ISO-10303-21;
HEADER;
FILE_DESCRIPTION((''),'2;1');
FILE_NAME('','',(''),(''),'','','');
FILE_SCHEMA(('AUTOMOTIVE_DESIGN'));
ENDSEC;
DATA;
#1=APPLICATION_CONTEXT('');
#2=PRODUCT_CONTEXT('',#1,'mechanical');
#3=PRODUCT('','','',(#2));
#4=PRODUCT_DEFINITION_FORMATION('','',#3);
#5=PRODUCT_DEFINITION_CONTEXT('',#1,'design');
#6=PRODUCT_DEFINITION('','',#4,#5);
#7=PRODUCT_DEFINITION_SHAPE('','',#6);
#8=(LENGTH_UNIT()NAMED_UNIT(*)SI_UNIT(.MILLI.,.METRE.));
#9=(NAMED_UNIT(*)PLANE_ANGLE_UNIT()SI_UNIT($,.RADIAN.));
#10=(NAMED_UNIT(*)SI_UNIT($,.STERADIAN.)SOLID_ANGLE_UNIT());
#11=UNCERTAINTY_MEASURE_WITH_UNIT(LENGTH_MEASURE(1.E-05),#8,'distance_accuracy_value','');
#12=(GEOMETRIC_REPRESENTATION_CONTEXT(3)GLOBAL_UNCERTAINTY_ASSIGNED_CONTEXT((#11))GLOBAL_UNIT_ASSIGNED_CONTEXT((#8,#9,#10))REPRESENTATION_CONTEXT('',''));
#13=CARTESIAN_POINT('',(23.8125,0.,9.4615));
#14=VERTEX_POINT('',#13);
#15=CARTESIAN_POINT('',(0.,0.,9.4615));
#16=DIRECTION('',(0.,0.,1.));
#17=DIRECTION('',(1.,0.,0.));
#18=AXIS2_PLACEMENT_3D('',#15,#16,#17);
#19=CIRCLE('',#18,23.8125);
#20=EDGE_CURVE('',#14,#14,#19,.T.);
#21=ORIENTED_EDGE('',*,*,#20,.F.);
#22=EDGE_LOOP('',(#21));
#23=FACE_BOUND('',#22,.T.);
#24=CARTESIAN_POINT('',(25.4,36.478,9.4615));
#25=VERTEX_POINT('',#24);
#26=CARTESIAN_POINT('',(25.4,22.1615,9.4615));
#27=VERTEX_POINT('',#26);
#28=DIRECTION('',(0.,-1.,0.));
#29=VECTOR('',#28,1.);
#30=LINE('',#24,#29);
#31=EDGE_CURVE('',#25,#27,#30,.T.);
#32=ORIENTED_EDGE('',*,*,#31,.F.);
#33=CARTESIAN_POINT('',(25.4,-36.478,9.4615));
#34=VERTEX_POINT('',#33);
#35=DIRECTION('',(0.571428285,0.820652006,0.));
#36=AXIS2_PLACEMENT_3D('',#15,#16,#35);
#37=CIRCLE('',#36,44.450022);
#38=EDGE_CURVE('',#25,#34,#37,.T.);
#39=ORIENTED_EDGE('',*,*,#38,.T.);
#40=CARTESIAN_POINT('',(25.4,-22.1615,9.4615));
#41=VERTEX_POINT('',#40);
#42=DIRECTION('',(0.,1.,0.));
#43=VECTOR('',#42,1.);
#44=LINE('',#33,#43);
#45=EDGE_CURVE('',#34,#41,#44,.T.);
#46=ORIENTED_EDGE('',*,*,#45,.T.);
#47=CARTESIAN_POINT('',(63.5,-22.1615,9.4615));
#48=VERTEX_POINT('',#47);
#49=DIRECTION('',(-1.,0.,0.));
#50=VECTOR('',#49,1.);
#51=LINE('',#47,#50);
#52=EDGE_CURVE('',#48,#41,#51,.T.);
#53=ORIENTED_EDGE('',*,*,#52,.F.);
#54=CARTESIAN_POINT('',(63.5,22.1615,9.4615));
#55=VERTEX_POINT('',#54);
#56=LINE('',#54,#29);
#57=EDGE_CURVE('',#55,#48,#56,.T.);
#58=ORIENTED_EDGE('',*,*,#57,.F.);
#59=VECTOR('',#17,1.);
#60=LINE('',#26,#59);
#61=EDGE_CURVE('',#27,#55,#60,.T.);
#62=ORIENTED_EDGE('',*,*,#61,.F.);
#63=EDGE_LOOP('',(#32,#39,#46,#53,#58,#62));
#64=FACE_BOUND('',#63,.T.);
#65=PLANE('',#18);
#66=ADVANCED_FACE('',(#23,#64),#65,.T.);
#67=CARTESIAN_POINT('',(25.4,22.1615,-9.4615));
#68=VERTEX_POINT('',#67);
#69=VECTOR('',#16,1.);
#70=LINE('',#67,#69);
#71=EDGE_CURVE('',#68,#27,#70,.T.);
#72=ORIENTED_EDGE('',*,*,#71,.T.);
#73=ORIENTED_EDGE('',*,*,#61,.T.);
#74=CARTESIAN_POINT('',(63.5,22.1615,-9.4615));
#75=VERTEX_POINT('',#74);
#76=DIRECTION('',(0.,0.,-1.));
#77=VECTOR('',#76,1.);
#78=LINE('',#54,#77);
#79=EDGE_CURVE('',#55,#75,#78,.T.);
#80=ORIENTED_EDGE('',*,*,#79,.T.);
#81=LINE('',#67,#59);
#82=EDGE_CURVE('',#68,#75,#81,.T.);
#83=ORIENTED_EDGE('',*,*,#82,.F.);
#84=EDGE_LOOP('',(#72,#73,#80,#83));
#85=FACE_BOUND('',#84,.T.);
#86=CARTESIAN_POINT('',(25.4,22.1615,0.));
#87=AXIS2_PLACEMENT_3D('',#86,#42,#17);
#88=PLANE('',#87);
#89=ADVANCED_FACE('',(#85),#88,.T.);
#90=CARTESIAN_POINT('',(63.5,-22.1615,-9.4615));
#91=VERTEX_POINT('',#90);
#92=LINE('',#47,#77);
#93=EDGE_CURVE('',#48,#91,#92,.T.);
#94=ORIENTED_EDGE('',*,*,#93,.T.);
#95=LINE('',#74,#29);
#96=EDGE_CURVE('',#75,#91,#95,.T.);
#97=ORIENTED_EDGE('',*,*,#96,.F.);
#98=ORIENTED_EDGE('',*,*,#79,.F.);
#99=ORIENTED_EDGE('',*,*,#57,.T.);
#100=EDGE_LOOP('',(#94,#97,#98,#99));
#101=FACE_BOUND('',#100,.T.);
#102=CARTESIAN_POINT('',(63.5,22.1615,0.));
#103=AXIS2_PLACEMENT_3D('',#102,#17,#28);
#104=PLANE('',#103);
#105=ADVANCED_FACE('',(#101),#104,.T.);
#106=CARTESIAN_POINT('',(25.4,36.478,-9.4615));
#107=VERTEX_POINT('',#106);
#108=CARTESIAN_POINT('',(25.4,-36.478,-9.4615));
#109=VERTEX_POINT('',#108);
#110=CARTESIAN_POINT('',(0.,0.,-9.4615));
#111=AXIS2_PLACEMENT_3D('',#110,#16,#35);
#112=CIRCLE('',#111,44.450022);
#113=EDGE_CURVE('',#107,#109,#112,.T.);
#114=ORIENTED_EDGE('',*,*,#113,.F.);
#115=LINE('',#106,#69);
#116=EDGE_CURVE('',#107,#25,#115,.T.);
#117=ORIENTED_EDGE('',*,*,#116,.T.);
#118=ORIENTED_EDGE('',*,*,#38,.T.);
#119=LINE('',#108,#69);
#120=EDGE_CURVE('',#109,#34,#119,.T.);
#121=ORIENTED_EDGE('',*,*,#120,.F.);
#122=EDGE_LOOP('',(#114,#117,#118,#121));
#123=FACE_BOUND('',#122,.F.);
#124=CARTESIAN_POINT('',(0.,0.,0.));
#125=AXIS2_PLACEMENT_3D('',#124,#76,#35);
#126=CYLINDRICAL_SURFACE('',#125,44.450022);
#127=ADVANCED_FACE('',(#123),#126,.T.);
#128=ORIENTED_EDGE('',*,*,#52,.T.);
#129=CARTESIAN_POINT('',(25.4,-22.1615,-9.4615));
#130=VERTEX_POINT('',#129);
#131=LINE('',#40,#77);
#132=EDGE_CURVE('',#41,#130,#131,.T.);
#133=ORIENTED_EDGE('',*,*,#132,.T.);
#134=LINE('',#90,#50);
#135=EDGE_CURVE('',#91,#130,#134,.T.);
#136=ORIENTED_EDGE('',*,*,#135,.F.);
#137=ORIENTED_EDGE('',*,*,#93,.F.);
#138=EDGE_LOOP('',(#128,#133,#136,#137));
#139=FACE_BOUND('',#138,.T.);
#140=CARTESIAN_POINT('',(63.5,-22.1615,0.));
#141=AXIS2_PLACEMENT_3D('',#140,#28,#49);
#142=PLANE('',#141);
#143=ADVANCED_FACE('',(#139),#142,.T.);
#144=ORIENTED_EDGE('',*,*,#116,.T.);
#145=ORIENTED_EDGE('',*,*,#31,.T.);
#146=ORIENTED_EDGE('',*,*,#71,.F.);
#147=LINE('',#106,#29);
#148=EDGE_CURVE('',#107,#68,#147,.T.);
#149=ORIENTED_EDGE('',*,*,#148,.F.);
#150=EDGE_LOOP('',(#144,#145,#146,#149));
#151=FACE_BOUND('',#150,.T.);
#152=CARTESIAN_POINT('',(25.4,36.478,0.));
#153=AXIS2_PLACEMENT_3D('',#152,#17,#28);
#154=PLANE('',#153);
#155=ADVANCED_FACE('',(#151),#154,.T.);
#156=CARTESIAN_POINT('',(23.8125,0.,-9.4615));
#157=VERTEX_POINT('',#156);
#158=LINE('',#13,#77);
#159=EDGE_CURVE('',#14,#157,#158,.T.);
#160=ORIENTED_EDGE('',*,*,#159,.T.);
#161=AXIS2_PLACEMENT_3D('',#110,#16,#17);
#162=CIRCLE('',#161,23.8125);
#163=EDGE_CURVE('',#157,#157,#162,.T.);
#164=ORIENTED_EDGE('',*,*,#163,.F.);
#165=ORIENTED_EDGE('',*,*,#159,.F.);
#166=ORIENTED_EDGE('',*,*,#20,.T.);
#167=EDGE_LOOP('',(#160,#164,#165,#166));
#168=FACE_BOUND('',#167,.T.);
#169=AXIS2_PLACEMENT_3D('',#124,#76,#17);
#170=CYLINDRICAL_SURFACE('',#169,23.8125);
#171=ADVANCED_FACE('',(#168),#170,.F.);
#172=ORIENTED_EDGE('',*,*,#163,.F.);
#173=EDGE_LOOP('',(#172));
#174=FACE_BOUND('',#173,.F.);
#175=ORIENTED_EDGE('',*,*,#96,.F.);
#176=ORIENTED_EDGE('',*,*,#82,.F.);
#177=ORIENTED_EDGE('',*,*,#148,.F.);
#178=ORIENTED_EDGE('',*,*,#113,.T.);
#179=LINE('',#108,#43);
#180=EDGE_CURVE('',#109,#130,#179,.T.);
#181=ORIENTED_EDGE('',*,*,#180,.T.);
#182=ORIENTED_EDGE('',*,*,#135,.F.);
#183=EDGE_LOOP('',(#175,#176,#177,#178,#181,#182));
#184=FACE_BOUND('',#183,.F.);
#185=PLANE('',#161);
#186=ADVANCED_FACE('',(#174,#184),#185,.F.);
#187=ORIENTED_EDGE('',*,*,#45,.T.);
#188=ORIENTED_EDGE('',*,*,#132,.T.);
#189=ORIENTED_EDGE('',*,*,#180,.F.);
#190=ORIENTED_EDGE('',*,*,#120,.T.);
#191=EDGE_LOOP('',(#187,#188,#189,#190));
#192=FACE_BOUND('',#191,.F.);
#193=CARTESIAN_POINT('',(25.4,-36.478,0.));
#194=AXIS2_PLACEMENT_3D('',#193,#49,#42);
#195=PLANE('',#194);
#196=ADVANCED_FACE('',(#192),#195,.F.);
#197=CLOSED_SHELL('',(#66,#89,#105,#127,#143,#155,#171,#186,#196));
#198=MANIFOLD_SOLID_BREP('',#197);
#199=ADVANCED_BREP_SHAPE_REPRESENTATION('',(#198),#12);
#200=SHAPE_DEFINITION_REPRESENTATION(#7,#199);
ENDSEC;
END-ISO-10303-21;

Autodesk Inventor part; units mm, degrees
ref_plane "YZ Plane" through (0, 0, 0) normal (1, 0, 0) x (0, 1, 0)
ref_plane "XZ Plane" through (0, 0, 0) normal (0, 1, 0) x (-1, 0, 0)
ref_plane "XY Plane" through (0, 0, 0) normal (0, 0, 1) x (1, 0, 0)
sketch "Sketch1" plane through (0, 0, 0) normal (0, 0, 1) x (1, 0, 0)
  circle A0 centre (0, 0) radius 23.8125
  circle A1 centre (0, 0) radius 44.45 construction
  line L0 (25.4, 22.1615) -> (63.5, 22.1615)
  line L1 (63.5, 22.1615) -> (63.5, -22.1615)
  line L2 (63.5, -22.1615) -> (25.4, -22.1615)
  arc A2 (25.4, 36.478) -> (25.4, -36.478) centre (0, 0) ccw
  line L3 (25.4, 36.478) -> (25.4, 22.1615)
  line L4 (25.4, -36.478) -> (25.4, -22.1615)
  point P0 (63.5, 0)
  dimension "d1" = 88.9
  dimension "d0" = 47.625
  dimension "d2" = 44.323
  dimension "d3" = 38.1
  dimension "d4" = 25.4
extrude "Extrusion1" add sketch "Sketch1" along normal mid plane 18.923
properties part number "EL2-A-009" material "Aluminum 6061"
